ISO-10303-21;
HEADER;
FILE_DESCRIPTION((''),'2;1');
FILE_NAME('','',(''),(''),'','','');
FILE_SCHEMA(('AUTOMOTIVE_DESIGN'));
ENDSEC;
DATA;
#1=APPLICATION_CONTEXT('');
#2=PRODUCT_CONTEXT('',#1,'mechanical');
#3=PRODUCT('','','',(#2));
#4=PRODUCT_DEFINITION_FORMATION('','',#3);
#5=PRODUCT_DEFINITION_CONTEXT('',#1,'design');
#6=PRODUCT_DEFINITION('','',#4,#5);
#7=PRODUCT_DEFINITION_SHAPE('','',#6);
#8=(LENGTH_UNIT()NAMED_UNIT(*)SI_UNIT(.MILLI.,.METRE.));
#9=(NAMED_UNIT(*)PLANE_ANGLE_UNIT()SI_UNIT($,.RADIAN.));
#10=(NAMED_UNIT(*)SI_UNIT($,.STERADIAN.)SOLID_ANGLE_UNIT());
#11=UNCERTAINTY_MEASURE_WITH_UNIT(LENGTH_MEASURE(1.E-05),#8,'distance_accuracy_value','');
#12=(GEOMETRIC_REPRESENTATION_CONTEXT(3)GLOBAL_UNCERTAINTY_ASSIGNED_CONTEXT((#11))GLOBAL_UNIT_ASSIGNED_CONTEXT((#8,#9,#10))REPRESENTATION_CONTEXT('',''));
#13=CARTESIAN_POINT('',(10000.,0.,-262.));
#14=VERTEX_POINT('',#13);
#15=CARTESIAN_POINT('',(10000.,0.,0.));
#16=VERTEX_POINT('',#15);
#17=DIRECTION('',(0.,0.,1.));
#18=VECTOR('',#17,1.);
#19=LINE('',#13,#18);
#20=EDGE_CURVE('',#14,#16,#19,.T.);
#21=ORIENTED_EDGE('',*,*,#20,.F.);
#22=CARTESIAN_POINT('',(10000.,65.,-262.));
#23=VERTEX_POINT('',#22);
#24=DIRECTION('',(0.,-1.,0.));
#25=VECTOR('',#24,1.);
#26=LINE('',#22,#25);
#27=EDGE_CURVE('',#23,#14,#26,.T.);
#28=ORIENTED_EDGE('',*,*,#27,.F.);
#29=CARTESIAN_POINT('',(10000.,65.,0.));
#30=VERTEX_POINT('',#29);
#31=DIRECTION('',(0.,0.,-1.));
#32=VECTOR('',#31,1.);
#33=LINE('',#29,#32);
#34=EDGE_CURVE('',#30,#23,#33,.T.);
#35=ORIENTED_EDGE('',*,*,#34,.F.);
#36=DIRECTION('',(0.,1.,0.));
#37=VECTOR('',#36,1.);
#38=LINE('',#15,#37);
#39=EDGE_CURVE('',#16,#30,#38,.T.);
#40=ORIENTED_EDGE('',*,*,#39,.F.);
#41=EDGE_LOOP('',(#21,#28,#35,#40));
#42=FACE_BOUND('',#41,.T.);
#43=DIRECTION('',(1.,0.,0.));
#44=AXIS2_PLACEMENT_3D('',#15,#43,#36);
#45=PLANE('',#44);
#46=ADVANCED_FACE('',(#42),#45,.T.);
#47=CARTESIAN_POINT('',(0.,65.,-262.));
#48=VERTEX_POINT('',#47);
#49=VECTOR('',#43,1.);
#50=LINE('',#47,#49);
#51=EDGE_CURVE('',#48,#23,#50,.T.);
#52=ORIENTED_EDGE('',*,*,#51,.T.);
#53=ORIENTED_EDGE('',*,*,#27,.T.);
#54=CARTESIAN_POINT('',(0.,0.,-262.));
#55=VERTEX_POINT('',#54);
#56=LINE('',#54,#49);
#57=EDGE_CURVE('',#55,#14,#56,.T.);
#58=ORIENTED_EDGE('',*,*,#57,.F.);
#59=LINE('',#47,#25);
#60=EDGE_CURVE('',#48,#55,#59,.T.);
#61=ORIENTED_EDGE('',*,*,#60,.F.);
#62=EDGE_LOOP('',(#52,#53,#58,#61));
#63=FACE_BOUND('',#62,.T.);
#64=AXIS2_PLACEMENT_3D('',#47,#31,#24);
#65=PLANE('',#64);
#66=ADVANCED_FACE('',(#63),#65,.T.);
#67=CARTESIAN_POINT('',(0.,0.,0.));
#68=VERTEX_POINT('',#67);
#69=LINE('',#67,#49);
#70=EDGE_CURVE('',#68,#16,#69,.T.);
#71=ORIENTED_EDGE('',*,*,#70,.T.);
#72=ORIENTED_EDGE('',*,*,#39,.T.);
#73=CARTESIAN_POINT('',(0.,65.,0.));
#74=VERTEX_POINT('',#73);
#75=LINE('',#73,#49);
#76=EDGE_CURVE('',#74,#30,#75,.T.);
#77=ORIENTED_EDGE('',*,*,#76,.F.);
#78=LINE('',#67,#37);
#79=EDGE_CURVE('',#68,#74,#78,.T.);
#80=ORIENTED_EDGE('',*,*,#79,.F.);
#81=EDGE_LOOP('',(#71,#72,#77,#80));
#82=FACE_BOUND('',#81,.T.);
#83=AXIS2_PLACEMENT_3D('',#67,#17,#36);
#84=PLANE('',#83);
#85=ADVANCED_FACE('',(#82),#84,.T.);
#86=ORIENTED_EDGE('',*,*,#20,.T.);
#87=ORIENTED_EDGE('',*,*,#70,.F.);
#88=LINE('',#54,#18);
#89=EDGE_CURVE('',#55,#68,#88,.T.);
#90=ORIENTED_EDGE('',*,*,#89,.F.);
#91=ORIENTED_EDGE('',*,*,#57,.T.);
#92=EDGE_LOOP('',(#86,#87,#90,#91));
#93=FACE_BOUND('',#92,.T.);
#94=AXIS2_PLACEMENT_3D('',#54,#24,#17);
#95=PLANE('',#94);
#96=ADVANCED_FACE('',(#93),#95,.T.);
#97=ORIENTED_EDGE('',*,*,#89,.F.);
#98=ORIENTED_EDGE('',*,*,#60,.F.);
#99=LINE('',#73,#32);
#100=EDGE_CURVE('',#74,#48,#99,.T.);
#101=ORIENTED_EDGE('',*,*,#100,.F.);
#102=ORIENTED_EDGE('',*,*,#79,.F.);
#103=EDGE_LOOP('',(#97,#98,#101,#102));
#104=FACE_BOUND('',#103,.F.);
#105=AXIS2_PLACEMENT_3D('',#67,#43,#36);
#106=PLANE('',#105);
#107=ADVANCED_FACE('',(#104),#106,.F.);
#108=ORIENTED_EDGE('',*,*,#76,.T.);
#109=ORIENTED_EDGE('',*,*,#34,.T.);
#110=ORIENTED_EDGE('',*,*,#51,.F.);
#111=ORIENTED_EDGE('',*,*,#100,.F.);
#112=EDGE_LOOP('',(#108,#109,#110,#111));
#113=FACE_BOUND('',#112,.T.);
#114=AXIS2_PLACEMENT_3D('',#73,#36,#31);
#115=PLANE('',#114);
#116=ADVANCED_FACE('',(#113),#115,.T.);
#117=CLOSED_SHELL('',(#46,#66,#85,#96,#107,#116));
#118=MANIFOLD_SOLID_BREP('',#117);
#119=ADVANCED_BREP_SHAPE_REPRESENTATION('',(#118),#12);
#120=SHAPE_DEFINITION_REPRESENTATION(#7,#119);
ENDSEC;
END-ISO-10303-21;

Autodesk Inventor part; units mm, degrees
ref_plane "YZ Plane" through (0, 0, 0) normal (1, 0, 0) x (0, 1, 0)
ref_plane "XZ Plane" through (0, 0, 0) normal (0, 1, 0) x (-1, 0, 0)
ref_plane "XY Plane" through (0, 0, 0) normal (0, 0, 1) x (1, 0, 0)
sketch "Sketch1" plane through (0, 0, 0) normal (1, 0, 0) x (0, 1, 0)
  line L0 (0, 0) -> (65, 0)
  line L1 (65, 0) -> (65, -262)
  line L2 (65, -262) -> (0, -262)
  line L3 (0, -262) -> (0, 0)
  dimension "d0" = 65
  dimension "d1" = 262
extrude "Extrusion1" add sketch "Sketch1" along normal blind 10000
properties part number "boxsectiontest"
